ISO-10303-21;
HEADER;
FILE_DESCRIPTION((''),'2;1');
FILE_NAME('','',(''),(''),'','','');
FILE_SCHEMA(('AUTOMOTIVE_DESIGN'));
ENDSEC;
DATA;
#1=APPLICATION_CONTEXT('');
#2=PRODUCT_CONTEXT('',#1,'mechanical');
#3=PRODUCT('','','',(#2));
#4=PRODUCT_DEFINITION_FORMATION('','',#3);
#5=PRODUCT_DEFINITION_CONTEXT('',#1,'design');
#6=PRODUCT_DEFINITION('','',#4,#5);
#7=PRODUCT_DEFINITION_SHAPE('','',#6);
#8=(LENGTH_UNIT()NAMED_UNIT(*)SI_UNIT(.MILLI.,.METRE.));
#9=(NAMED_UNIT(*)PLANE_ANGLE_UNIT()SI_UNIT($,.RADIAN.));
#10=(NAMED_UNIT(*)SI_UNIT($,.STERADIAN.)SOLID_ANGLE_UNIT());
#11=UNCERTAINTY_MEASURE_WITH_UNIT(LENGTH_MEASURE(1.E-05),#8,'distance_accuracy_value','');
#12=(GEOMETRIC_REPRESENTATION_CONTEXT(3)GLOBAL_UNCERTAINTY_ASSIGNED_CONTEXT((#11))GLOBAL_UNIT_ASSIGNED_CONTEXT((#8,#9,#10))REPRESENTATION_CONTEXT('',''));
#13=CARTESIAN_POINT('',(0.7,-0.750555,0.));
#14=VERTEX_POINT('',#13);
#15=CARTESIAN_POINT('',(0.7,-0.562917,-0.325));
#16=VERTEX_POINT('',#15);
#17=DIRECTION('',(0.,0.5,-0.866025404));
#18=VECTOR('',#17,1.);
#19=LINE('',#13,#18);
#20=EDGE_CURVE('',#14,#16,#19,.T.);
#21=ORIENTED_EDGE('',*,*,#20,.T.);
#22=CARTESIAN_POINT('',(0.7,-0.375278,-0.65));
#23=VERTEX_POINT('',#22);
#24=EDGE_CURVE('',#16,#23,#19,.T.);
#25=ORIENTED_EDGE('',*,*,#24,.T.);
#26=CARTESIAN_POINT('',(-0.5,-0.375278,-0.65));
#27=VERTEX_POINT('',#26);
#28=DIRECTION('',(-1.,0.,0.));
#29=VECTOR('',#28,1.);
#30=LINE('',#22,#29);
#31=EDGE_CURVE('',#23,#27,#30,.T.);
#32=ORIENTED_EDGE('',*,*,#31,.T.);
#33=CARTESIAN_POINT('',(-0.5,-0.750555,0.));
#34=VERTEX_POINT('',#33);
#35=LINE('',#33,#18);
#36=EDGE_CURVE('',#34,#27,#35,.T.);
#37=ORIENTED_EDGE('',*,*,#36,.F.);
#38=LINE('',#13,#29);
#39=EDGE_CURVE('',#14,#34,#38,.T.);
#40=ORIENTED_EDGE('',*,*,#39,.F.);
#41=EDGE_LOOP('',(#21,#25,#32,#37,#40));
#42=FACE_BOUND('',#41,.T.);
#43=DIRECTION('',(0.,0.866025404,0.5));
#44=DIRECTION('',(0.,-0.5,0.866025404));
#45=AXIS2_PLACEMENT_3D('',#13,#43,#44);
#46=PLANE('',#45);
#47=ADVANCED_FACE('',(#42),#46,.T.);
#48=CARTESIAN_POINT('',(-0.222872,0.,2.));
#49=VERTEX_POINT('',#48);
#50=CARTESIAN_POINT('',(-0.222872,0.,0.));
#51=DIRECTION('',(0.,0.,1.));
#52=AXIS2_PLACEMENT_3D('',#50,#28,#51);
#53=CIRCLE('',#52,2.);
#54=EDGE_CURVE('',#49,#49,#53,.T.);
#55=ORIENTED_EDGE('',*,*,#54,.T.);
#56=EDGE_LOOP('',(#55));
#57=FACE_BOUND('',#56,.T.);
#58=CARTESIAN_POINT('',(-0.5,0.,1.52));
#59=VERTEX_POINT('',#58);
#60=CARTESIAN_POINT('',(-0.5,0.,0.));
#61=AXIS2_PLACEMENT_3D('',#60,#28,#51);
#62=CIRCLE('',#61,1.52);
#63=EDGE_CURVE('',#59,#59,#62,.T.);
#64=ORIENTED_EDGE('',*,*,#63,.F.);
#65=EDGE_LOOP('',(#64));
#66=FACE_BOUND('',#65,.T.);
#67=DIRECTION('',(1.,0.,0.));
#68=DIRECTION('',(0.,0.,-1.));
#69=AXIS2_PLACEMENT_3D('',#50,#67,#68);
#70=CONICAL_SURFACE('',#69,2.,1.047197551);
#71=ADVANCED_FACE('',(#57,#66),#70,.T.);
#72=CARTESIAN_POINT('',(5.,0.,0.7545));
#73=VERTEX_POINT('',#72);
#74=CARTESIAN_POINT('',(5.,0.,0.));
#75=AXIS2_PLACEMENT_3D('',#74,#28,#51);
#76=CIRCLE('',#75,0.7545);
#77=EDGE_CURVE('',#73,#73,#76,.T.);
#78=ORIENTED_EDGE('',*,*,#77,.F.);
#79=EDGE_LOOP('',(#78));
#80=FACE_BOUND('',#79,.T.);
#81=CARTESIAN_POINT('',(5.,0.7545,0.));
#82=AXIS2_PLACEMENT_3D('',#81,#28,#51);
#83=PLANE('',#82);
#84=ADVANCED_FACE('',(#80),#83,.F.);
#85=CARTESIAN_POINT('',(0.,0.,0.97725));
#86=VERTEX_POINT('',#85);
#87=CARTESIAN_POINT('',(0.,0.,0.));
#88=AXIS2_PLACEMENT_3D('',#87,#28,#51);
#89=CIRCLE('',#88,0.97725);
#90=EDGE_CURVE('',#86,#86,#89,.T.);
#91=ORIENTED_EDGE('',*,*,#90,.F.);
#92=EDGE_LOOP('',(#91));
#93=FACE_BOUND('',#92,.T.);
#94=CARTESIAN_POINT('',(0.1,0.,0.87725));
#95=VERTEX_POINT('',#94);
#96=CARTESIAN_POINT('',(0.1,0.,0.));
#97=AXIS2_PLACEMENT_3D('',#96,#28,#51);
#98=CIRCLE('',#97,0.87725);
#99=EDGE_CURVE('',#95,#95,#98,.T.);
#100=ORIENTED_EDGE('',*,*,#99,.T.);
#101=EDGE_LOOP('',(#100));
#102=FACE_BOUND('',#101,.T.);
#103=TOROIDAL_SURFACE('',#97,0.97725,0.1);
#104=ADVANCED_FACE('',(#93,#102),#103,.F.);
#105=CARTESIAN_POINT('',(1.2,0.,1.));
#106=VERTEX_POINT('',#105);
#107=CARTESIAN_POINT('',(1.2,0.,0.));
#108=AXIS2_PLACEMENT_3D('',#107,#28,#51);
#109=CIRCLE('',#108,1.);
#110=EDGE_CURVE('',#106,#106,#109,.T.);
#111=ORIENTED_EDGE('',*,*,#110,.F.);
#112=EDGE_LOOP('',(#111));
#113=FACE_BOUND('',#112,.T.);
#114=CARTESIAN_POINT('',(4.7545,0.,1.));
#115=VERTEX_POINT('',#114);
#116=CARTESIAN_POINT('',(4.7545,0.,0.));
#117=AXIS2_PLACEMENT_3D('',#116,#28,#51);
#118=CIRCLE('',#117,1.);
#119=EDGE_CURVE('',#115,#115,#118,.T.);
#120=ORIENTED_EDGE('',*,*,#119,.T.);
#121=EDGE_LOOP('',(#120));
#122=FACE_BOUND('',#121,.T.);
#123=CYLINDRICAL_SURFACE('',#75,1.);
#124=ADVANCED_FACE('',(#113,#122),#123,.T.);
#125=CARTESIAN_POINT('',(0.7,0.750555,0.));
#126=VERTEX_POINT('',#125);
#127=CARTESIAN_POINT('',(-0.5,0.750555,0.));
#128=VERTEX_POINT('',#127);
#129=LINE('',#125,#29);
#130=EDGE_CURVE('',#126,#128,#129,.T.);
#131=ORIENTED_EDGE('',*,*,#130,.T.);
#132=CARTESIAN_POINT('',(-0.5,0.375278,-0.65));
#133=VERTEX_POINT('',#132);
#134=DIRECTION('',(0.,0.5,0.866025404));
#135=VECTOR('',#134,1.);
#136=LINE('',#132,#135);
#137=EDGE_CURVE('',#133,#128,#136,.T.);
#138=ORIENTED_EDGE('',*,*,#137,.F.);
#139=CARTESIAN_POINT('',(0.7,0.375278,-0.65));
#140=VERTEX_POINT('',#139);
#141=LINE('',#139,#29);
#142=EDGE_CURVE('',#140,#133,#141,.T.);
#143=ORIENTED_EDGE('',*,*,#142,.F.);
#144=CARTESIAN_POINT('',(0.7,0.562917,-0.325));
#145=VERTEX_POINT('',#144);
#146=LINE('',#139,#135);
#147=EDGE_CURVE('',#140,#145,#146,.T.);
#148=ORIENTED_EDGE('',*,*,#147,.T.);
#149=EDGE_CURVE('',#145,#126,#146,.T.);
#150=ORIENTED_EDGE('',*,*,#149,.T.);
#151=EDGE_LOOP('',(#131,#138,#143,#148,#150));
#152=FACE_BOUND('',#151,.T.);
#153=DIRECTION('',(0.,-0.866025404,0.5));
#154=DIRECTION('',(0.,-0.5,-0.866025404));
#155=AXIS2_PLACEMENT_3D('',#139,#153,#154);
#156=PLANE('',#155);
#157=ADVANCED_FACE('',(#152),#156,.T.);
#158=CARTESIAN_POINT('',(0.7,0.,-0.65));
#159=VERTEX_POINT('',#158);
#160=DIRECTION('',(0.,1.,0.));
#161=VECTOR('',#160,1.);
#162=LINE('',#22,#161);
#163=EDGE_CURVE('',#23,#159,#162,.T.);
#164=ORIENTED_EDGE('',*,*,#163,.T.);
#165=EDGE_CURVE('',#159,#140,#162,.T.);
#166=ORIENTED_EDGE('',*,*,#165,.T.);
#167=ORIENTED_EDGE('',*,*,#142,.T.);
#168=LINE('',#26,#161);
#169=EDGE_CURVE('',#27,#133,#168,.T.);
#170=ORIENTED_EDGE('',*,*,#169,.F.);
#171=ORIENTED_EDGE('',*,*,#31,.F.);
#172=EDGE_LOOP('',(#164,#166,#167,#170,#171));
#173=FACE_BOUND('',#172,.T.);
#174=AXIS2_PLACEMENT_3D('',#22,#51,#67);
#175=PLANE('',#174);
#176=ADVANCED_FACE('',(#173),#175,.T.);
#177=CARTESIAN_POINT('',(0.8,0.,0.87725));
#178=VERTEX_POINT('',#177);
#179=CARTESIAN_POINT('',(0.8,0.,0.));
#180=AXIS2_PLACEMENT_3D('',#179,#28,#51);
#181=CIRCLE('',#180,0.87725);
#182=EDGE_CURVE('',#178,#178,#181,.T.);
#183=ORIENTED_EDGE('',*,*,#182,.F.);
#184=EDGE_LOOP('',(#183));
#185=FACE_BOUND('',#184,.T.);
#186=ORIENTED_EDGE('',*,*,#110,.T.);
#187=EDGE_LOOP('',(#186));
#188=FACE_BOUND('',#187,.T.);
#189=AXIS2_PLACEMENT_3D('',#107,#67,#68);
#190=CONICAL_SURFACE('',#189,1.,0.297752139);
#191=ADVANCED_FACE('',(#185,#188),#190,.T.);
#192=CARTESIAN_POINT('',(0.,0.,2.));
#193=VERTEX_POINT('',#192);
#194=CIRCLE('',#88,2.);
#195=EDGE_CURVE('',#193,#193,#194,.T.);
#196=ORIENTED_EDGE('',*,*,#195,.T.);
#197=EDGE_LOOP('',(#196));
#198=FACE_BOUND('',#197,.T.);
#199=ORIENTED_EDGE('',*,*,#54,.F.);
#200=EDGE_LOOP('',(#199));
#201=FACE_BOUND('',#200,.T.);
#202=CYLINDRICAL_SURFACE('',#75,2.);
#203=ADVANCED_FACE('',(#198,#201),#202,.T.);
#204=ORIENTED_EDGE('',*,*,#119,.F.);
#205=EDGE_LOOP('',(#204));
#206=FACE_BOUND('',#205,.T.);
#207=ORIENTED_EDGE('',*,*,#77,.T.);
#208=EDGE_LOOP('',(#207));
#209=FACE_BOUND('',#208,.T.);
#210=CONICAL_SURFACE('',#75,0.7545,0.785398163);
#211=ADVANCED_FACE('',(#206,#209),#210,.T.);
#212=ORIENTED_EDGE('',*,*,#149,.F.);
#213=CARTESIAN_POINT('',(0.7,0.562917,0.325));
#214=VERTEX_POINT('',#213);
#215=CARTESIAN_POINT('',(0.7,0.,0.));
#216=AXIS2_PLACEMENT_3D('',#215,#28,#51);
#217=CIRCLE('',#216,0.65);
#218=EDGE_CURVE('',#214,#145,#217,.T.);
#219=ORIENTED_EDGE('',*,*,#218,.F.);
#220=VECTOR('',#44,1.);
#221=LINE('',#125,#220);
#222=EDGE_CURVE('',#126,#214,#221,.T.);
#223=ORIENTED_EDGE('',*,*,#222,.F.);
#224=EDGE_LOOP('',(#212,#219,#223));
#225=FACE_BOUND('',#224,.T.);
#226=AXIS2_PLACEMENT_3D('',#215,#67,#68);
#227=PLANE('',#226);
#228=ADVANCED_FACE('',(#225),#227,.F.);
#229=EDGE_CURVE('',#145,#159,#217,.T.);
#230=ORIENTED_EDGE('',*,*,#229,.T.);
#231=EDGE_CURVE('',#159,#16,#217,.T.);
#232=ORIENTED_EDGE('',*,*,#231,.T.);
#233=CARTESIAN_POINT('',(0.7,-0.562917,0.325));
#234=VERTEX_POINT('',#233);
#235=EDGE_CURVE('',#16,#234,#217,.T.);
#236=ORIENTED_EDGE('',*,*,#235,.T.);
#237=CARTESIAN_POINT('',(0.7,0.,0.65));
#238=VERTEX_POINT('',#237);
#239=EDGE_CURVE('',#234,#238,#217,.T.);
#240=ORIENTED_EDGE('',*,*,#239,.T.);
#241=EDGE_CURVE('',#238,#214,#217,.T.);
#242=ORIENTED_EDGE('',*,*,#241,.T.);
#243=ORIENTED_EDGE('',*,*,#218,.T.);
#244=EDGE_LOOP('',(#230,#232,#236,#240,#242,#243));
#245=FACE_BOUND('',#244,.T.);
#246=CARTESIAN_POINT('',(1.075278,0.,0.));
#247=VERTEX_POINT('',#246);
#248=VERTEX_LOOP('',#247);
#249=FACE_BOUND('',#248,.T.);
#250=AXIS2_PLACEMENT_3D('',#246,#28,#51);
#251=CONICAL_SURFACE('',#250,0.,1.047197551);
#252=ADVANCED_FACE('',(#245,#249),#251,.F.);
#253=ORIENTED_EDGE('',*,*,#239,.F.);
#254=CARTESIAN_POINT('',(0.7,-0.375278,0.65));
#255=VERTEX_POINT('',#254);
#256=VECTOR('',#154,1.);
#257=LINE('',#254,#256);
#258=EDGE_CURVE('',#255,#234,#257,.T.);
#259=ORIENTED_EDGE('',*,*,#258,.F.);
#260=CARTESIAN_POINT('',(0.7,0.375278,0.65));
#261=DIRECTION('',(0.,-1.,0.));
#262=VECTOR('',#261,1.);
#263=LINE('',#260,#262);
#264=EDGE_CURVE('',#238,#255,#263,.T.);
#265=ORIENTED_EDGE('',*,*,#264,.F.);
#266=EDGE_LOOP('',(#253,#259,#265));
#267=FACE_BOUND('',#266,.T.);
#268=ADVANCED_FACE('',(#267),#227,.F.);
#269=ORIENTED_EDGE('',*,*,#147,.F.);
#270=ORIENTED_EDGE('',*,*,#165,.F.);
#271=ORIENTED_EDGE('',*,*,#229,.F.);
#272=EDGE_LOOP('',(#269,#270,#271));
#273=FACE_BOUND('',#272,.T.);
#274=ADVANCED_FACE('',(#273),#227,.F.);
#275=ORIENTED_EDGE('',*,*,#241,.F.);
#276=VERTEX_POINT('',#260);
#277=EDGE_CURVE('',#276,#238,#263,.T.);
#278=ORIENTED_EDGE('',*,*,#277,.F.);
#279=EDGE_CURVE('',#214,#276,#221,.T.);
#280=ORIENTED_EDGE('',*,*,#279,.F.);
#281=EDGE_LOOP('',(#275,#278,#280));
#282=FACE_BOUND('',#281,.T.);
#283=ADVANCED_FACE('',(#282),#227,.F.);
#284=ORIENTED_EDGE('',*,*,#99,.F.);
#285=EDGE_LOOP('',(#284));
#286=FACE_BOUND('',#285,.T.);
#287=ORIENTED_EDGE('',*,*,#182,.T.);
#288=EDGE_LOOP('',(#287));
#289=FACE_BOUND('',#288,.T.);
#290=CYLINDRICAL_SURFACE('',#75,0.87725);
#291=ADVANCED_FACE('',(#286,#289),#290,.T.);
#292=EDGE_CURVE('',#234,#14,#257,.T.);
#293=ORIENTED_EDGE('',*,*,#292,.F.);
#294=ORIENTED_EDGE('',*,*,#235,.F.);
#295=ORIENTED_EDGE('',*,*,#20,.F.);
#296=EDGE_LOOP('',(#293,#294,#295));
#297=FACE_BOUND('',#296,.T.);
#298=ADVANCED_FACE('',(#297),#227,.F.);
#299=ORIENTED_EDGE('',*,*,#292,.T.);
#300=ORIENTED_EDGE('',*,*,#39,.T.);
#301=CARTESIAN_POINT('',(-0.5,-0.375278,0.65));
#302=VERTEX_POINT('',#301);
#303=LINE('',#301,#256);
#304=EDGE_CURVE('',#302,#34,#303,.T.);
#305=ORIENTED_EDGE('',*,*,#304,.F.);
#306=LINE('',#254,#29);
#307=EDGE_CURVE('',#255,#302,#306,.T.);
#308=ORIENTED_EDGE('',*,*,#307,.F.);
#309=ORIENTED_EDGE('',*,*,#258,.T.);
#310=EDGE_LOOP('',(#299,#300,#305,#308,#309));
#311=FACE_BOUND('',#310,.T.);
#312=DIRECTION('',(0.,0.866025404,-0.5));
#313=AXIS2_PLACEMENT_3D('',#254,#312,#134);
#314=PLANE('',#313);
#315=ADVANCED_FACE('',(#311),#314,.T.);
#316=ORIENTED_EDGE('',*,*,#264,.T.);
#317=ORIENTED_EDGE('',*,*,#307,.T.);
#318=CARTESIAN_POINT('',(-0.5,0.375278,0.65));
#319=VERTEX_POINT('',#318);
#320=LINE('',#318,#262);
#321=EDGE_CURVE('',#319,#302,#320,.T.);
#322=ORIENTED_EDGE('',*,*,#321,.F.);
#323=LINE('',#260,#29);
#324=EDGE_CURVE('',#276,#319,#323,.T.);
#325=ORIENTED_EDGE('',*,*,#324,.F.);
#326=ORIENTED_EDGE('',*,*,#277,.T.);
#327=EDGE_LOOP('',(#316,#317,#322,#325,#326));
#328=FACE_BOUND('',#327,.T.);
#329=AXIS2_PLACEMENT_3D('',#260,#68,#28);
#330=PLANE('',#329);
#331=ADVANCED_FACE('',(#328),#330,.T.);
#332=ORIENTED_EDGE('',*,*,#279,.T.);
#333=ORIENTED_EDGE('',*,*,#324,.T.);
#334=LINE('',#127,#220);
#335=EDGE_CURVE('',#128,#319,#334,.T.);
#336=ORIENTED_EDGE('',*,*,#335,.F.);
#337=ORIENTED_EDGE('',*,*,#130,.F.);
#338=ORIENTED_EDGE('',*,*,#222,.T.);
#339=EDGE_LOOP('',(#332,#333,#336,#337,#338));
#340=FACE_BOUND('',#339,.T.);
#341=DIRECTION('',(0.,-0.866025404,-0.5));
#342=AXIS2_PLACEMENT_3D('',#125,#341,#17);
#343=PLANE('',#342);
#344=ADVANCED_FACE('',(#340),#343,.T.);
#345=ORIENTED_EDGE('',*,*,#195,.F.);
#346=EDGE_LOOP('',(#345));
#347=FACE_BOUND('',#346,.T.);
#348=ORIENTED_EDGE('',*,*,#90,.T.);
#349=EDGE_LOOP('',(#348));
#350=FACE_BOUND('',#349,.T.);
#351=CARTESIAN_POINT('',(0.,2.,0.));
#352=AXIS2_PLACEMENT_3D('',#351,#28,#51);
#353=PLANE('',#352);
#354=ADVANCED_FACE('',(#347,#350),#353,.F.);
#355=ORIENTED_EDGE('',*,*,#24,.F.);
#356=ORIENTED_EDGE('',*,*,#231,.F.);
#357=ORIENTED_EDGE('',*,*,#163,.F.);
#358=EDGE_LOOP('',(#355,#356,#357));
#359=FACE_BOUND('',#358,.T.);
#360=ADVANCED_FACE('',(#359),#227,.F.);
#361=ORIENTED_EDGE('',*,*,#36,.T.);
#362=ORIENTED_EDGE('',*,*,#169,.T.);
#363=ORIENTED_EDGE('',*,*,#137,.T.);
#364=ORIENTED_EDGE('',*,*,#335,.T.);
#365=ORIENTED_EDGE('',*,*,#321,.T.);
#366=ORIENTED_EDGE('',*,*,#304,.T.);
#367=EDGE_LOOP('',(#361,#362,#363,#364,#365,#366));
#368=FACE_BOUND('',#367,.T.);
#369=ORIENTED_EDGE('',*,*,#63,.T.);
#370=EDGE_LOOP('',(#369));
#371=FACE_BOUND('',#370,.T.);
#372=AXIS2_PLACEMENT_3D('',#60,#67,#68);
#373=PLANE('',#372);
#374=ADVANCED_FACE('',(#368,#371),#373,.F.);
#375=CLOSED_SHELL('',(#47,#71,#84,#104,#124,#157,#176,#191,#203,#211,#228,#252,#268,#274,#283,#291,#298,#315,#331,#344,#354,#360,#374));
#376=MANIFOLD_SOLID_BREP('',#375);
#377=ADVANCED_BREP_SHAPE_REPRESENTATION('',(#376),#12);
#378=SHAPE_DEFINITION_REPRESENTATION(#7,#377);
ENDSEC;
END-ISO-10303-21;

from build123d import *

# Parameters (mm, degrees)
CUT_EXTRUDE1_DEPTH = 1.2


with BuildPart() as part:
    # Sketch1 → Revolve1 (revolve)
    with BuildSketch(Plane.XY):
        with BuildLine():
            Line((-0.5, 0), (-0.5, 1.52))
            Line((-0.5, 1.52), (-0.222871871, 2))
            Line((-0.222871871, 2), (0, 2))
            Line((0, 2), (0, 0.97725))
            ThreePointArc((0, 0.97725), (0.029289322, 0.906539322), (0.1, 0.87725))
            Line((0.1, 0.87725), (0.8, 0.87725))
            Line((0.8, 0.87725), (1.2, 1))
            Line((1.2, 1), (4.7545, 1))
            Line((4.7545, 1), (5, 0.7545))
            Line((5, 0.7545), (5, 0))
            Line((5, 0), (-0.5, 0))
        make_face()
    revolve(axis=Axis((5, 0, 0), (-1, 0, 0)))

    # Sketch2 → Cut-Revolve1 (revolve, cut)
    with BuildSketch(Plane.XY):
        Polygon((-0.5, 0), (-0.5, 0.65), (0.7, 0.65), (1.075277675, 0), align=None)
    revolve(axis=Axis((1.075277675, 0, 0), (-1, 0, 0)), mode=Mode.SUBTRACT)

    # Sketch3 → Cut-Extrude1 (cut)
    with BuildSketch(Plane(origin=(-0.5, 0, 0), x_dir=(0, 0, -1), z_dir=(1, 0, 0))):
        Polygon((-0.65, -0.375277675), (0, -0.75055535), (0.65, -0.375277675), (0.65, 0.375277675), (0, 0.75055535), (-0.65, 0.375277675), align=None)
    extrude(amount=CUT_EXTRUDE1_DEPTH, mode=Mode.SUBTRACT)


solid = part.part
